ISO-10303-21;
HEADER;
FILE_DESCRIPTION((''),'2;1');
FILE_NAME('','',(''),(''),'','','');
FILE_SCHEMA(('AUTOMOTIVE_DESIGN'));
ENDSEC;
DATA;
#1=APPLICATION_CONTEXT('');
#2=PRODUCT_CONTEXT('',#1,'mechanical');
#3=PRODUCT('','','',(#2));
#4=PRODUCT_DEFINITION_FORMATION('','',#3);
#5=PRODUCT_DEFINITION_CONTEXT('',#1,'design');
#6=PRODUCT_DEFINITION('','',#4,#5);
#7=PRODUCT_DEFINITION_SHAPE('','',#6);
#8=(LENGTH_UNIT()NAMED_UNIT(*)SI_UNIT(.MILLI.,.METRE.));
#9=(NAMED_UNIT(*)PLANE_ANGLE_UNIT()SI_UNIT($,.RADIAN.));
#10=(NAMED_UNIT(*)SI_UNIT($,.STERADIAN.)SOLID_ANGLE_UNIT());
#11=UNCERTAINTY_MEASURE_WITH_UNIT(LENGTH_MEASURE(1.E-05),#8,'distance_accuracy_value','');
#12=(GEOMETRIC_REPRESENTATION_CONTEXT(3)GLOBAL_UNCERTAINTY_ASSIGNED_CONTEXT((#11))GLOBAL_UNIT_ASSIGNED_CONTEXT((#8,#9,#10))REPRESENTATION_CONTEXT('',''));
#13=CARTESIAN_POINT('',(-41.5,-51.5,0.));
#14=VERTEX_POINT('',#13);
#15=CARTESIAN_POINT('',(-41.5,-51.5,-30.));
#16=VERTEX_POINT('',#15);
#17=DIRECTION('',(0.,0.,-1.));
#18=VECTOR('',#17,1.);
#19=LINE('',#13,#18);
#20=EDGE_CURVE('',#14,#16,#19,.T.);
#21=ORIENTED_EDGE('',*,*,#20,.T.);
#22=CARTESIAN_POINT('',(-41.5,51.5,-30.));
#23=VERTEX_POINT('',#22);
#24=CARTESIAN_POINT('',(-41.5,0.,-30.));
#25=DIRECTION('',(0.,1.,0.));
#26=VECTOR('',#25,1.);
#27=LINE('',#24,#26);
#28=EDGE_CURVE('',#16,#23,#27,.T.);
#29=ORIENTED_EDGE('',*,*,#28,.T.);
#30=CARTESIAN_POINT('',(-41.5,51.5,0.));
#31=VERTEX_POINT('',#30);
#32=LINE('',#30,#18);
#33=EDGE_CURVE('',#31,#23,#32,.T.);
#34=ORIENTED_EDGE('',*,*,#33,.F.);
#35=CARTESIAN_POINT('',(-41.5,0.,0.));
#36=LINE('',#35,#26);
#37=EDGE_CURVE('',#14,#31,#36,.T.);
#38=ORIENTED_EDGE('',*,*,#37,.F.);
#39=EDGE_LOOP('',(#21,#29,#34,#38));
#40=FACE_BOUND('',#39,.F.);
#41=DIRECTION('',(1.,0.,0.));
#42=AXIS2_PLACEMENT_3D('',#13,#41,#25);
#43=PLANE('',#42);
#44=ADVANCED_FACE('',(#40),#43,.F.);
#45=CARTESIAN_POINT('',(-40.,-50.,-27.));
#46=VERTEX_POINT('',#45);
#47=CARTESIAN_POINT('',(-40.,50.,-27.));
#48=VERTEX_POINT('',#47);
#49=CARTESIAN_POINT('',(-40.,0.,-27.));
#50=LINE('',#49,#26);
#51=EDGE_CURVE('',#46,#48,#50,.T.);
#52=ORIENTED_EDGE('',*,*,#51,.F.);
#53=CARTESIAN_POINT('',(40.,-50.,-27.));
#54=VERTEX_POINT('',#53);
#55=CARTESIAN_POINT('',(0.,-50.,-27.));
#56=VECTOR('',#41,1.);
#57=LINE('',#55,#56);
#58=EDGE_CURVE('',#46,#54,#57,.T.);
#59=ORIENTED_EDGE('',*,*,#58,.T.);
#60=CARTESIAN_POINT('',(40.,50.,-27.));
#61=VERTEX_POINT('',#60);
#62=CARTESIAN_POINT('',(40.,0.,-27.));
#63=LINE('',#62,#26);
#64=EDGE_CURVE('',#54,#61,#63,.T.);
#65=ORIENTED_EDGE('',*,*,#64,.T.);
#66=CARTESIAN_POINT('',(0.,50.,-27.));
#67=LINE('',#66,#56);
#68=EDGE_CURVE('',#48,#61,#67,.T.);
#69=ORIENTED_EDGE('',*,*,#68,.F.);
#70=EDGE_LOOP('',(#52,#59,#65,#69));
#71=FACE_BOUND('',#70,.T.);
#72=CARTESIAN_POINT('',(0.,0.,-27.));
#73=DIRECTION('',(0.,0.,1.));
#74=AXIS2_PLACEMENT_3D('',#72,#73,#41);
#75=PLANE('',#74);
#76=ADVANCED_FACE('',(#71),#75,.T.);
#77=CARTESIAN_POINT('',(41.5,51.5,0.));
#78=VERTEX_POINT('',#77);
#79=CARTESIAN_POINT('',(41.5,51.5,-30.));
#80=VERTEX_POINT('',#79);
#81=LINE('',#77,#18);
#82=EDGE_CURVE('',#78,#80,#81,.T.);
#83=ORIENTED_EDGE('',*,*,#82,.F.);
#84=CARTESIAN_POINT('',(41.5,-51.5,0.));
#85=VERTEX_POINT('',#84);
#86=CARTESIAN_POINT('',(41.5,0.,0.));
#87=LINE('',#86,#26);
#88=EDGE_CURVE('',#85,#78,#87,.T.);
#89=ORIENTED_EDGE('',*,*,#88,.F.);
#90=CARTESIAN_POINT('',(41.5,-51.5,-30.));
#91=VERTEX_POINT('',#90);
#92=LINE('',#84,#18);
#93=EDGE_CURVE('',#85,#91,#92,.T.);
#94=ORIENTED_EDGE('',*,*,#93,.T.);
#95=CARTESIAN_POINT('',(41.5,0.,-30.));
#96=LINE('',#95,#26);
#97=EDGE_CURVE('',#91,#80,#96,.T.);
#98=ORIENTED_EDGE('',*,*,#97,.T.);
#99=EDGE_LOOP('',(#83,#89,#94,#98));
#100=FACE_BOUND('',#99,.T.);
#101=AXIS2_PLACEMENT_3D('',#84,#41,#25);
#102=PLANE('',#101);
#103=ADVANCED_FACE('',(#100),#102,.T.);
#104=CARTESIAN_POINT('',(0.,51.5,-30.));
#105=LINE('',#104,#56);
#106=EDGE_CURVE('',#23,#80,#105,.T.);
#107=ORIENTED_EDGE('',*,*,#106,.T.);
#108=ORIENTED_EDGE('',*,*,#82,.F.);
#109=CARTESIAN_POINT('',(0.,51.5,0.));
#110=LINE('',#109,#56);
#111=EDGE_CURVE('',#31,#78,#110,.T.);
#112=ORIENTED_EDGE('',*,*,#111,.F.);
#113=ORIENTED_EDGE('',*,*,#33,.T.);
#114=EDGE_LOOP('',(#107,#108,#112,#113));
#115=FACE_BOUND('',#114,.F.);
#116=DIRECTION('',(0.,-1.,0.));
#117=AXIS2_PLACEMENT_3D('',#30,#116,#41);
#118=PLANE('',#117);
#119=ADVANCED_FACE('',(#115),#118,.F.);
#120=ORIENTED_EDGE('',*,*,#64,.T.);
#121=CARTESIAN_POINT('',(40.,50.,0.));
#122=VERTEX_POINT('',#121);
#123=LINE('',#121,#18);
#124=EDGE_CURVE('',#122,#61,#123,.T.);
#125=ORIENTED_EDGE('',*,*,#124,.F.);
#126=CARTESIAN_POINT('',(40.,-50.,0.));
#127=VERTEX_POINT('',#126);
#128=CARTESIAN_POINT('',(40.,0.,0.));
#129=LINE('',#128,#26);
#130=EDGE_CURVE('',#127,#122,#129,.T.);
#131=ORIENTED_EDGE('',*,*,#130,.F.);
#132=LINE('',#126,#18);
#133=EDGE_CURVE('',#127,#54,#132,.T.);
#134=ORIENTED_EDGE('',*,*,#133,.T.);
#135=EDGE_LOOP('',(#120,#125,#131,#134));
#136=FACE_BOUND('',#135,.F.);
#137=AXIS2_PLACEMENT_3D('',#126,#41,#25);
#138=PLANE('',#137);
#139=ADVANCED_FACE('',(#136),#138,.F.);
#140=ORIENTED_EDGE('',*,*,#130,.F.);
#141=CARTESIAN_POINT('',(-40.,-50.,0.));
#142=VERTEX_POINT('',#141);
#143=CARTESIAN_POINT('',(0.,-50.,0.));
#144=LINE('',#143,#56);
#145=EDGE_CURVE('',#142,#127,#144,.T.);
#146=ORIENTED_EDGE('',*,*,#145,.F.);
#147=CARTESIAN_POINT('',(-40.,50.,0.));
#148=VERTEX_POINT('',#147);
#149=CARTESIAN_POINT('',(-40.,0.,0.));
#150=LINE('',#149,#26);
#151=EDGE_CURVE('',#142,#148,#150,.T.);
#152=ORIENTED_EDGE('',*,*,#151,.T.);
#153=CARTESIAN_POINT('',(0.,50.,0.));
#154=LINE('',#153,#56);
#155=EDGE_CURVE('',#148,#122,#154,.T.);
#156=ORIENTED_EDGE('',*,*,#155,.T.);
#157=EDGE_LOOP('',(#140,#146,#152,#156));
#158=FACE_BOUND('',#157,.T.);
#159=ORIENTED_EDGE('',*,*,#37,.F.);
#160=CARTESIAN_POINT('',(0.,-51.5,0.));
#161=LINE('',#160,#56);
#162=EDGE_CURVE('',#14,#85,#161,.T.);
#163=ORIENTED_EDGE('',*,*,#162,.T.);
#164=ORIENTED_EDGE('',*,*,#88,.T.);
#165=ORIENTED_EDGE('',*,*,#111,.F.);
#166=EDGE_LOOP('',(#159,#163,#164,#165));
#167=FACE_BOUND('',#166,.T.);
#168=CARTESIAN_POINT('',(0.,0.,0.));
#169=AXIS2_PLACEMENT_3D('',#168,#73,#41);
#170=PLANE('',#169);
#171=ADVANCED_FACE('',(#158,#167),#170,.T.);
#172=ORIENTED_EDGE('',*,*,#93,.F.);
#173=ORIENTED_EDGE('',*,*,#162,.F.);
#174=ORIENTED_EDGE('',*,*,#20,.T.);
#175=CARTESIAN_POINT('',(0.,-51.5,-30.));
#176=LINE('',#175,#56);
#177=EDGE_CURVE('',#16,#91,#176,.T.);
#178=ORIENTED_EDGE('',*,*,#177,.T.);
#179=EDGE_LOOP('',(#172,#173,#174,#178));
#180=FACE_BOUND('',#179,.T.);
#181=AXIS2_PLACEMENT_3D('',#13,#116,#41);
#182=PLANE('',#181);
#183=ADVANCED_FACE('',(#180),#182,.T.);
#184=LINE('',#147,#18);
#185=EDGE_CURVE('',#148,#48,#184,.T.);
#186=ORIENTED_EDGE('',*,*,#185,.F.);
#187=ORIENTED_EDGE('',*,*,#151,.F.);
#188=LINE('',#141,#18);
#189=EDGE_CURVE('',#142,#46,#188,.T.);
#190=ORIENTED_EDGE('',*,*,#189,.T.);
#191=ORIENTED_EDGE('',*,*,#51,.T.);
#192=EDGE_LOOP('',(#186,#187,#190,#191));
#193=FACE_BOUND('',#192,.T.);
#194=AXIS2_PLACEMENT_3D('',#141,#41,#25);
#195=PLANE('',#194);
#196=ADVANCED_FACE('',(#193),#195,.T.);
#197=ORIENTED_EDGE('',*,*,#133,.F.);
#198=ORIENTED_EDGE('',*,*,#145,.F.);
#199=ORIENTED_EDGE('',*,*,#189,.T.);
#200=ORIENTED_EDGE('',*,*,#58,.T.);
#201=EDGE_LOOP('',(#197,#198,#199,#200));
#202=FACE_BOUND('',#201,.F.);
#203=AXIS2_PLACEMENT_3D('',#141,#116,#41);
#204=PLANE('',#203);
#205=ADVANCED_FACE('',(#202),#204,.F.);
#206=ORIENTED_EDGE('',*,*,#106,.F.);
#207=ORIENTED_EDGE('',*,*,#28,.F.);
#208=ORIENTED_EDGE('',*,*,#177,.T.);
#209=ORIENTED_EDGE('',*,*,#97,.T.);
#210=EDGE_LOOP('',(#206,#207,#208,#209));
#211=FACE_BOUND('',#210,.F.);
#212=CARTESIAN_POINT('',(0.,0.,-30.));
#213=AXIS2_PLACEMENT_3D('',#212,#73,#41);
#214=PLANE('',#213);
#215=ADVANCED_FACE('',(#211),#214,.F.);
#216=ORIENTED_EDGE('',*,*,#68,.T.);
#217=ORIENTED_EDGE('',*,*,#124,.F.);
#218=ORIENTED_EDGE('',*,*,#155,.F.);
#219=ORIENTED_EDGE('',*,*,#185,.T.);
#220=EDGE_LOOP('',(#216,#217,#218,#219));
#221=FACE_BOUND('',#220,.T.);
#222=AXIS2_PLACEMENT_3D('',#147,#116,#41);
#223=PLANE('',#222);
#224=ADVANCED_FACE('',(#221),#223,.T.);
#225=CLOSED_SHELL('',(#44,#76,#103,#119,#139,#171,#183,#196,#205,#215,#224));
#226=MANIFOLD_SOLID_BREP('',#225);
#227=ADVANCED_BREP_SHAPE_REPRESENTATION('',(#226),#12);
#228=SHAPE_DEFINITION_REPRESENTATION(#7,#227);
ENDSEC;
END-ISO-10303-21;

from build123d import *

# Parameters (mm, degrees)
F0_W     = 83
F0_H     = 103
F1_DEPTH = 30
F2_W     = 80
F2_H     = 100
F3_DEPTH = 27


with BuildPart() as f1:
    # F0 (on Top) → F1 (new body)
    with BuildSketch(Plane.XY):
        Rectangle(F0_W, F0_H)
    extrude(amount=-F1_DEPTH)

    # F2 (on Top) → F3 (cut)
    with BuildSketch(Plane.XY):
        Rectangle(F2_W, F2_H)
    extrude(amount=-F3_DEPTH, mode=Mode.SUBTRACT)


solid = f1.part
